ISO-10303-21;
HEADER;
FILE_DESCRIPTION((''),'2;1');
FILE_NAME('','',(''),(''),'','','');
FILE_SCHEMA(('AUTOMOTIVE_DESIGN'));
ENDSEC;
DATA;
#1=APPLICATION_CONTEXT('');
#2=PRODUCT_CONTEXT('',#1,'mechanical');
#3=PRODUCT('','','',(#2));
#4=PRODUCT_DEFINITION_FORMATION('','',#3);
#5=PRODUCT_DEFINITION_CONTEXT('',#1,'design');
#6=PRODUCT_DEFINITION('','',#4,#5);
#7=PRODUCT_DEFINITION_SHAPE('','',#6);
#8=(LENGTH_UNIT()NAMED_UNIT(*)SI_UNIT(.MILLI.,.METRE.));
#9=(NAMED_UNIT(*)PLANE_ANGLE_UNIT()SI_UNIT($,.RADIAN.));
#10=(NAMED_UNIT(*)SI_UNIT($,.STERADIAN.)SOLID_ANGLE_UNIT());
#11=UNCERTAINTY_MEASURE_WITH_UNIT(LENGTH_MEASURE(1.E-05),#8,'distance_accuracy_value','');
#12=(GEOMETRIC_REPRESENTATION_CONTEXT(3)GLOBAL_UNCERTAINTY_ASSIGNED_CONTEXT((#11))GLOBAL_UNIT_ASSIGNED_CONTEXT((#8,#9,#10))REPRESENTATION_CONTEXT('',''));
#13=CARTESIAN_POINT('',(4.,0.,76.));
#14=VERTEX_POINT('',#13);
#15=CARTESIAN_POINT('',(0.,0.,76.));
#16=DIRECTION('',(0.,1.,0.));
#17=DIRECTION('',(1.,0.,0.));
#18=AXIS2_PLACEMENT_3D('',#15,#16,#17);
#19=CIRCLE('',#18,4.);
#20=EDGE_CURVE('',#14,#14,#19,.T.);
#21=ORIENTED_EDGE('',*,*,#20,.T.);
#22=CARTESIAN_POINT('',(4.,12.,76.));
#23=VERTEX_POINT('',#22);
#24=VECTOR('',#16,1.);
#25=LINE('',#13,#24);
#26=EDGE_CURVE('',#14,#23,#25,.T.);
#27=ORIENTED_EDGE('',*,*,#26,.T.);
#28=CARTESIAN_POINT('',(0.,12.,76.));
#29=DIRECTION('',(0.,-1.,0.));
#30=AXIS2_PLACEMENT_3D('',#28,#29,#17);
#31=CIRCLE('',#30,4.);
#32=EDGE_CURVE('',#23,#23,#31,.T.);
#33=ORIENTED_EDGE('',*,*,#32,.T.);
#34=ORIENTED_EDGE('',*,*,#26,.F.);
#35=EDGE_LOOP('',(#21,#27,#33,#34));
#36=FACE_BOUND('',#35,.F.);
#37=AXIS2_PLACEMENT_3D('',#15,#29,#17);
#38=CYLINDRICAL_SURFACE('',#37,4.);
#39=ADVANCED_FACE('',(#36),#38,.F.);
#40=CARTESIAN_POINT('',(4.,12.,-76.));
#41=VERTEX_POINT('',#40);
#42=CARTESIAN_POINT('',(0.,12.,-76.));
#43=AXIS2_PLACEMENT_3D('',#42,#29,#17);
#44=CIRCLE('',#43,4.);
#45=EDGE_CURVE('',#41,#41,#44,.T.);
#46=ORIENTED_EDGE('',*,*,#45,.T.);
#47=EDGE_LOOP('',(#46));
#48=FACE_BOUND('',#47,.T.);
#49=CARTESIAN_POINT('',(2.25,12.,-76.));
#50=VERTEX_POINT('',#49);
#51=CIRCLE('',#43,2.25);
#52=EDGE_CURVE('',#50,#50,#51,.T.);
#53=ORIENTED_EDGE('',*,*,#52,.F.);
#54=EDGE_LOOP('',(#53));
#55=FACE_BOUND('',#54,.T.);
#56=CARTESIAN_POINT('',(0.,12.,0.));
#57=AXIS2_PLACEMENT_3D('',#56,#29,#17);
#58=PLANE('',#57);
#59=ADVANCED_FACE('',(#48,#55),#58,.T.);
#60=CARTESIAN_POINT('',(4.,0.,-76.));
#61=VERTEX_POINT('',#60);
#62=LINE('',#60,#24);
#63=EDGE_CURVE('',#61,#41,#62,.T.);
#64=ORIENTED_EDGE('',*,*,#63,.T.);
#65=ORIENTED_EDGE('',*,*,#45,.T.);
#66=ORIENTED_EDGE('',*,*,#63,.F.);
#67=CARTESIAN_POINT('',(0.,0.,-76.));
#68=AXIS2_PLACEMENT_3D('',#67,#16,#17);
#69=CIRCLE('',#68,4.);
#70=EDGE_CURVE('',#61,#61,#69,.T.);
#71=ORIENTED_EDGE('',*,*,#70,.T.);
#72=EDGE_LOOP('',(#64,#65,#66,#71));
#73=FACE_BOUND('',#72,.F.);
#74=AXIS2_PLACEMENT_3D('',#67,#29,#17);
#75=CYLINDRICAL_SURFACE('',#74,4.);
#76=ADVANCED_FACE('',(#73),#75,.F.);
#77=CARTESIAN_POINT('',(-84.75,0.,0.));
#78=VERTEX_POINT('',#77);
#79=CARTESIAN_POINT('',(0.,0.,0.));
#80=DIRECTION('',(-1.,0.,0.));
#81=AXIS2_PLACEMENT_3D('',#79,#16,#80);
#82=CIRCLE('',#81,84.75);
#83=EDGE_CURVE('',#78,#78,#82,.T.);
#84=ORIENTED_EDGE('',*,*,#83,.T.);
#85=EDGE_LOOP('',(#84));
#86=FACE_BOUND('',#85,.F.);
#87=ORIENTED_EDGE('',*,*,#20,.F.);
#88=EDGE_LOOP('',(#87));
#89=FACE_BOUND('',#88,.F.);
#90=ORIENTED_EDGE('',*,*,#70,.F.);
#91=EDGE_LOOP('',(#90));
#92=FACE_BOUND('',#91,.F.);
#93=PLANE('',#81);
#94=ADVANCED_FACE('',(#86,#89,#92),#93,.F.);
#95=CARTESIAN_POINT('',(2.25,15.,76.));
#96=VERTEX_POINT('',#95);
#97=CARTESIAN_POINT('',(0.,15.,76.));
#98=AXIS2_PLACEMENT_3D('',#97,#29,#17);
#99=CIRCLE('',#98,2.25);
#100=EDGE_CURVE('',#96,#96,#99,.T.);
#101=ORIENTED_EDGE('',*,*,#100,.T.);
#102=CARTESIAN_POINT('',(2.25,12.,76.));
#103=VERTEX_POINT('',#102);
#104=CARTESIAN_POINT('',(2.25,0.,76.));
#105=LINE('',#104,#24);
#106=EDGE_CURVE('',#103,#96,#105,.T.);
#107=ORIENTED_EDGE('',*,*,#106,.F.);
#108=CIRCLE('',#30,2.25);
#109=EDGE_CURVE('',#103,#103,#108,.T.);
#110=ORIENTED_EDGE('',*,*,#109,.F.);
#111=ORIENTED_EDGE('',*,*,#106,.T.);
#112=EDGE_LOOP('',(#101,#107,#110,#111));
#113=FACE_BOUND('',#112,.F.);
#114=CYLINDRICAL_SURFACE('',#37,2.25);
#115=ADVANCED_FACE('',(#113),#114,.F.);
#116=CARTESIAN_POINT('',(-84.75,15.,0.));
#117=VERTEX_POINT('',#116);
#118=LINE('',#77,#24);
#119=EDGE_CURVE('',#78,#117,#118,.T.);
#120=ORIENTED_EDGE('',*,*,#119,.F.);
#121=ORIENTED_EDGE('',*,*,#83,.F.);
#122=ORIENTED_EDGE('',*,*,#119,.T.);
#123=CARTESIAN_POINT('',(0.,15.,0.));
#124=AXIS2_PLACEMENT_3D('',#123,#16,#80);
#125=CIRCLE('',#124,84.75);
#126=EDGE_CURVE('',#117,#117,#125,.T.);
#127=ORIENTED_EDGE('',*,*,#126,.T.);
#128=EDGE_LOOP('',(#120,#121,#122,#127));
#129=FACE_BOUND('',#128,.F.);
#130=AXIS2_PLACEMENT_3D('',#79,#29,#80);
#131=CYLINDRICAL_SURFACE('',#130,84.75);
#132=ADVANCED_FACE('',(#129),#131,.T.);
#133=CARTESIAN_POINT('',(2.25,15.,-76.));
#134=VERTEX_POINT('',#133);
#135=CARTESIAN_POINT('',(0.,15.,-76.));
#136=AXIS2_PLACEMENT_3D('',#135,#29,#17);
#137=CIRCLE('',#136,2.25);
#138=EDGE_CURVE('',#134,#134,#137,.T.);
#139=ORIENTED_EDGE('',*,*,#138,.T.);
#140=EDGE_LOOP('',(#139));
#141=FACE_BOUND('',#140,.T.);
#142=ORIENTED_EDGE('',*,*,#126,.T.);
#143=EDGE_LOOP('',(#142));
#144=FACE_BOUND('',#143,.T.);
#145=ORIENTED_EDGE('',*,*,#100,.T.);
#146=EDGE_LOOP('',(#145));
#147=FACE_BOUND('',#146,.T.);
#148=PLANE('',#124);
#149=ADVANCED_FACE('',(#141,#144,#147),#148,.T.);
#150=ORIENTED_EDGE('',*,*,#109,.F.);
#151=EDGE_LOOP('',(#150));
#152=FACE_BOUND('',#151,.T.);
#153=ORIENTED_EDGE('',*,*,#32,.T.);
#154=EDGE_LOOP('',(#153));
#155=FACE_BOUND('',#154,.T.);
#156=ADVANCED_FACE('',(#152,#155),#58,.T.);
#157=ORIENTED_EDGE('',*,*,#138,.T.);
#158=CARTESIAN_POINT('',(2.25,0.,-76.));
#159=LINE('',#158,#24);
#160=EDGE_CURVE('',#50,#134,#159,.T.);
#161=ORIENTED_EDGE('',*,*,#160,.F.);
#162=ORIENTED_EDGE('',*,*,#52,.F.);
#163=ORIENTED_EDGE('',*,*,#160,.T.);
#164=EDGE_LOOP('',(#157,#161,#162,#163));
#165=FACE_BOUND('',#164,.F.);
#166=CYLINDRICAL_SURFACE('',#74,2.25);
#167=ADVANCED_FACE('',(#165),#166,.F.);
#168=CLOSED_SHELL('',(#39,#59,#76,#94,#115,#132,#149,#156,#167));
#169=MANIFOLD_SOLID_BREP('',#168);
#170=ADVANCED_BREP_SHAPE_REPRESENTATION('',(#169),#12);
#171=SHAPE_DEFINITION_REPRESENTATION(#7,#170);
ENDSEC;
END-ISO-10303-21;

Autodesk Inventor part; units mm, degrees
ref_plane "YZ Plane" through (0, 0, 0) normal (1, 0, 0) x (0, 1, 0)
ref_plane "XZ Plane" through (0, 0, 0) normal (0, 1, 0) x (-1, 0, 0)
ref_plane "XY Plane" through (0, 0, 0) normal (0, 0, 1) x (1, 0, 0)
sketch "Sketch1" plane through (0, 0, 0) normal (0, 1, 0) x (-1, 0, 0)
  circle A0 centre (0, 0) radius 84.75
  dimension "d0" = 169.5
extrude "Extrusion1" add sketch "Sketch1" along normal blind 15
sketch "Sketch2" plane through (0, 0, 0) normal (0, -1, 0) x (1, 0, 0)
  circle A0 centre (0, 0) radius 76
  circle A1 centre (0, 76) radius 4
  circle A2 centre (0, -76) radius 4
  circle A3 centre (0, 76) radius 2.25
  circle A4 centre (0, -76) radius 2.25
  dimension "d3" = 152
  dimension "d4" = 8
  dimension "d5" = 8
  dimension "d6" = 4.5
  dimension "d7" = 4.5
extrude "Extrusion2" cut sketch "Sketch2" against normal through all contours A3 A0 | A0 A3 | A4 A0 | A0 A4
extrude "Extrusion3" cut sketch "Sketch2" against normal blind 12 contours A1 A0 A3 | A0 A3 A1 | A2 A0 A4 | A0 A4 A2 | A3 A0 | A0 A3 | A4 A0 | A0 A4
sketch "Sketch3" plane through (0, 0, 0) normal (0, -1, 0) x (1, 0, 0)
  line L0 (59.9273, 59.9273) -> (-59.9273, 59.9273)
  line L1 (-59.9273, 59.9273) -> (-59.9273, -59.9273)
  line L2 (-59.9273, -59.9273) -> (59.9273, -59.9273)
  line L3 (59.9273, -59.9273) -> (59.9273, 59.9273)
  line L4 (59.9273, 59.9273) -> (-59.9273, -59.9273) construction
  line L5 (-59.9273, 59.9273) -> (59.9273, -59.9273) construction
  point P0 (0, 0)
  dimension "d12" = 119.8546
  dimension "d13" = 119.8546
sketch "Sketch4" plane through (0, 15, 0) normal (0, 1, 0) x (1, 0, 0)
  line L0 (-59.9273, -59.9273) -> (59.9273, -59.9273)
  line L1 (59.9273, -59.9273) -> (59.9273, 59.9273)
  line L2 (59.9273, 59.9273) -> (-59.9273, 59.9273)
  line L3 (-59.9273, 59.9273) -> (-59.9273, -59.9273)
  line L4 (-59.9273, -59.9273) -> (59.9273, 59.9273) construction
  line L5 (59.9273, -59.9273) -> (-59.9273, 59.9273) construction
  point P0 (0, 0)
  dimension "d14" = 119.8546
  dimension "d15" = 119.8546
equation "\"d13\" = d12"
equation "\"d14\" = d12"
equation "\"d15\" = d12"
properties part number "substrate plate"
